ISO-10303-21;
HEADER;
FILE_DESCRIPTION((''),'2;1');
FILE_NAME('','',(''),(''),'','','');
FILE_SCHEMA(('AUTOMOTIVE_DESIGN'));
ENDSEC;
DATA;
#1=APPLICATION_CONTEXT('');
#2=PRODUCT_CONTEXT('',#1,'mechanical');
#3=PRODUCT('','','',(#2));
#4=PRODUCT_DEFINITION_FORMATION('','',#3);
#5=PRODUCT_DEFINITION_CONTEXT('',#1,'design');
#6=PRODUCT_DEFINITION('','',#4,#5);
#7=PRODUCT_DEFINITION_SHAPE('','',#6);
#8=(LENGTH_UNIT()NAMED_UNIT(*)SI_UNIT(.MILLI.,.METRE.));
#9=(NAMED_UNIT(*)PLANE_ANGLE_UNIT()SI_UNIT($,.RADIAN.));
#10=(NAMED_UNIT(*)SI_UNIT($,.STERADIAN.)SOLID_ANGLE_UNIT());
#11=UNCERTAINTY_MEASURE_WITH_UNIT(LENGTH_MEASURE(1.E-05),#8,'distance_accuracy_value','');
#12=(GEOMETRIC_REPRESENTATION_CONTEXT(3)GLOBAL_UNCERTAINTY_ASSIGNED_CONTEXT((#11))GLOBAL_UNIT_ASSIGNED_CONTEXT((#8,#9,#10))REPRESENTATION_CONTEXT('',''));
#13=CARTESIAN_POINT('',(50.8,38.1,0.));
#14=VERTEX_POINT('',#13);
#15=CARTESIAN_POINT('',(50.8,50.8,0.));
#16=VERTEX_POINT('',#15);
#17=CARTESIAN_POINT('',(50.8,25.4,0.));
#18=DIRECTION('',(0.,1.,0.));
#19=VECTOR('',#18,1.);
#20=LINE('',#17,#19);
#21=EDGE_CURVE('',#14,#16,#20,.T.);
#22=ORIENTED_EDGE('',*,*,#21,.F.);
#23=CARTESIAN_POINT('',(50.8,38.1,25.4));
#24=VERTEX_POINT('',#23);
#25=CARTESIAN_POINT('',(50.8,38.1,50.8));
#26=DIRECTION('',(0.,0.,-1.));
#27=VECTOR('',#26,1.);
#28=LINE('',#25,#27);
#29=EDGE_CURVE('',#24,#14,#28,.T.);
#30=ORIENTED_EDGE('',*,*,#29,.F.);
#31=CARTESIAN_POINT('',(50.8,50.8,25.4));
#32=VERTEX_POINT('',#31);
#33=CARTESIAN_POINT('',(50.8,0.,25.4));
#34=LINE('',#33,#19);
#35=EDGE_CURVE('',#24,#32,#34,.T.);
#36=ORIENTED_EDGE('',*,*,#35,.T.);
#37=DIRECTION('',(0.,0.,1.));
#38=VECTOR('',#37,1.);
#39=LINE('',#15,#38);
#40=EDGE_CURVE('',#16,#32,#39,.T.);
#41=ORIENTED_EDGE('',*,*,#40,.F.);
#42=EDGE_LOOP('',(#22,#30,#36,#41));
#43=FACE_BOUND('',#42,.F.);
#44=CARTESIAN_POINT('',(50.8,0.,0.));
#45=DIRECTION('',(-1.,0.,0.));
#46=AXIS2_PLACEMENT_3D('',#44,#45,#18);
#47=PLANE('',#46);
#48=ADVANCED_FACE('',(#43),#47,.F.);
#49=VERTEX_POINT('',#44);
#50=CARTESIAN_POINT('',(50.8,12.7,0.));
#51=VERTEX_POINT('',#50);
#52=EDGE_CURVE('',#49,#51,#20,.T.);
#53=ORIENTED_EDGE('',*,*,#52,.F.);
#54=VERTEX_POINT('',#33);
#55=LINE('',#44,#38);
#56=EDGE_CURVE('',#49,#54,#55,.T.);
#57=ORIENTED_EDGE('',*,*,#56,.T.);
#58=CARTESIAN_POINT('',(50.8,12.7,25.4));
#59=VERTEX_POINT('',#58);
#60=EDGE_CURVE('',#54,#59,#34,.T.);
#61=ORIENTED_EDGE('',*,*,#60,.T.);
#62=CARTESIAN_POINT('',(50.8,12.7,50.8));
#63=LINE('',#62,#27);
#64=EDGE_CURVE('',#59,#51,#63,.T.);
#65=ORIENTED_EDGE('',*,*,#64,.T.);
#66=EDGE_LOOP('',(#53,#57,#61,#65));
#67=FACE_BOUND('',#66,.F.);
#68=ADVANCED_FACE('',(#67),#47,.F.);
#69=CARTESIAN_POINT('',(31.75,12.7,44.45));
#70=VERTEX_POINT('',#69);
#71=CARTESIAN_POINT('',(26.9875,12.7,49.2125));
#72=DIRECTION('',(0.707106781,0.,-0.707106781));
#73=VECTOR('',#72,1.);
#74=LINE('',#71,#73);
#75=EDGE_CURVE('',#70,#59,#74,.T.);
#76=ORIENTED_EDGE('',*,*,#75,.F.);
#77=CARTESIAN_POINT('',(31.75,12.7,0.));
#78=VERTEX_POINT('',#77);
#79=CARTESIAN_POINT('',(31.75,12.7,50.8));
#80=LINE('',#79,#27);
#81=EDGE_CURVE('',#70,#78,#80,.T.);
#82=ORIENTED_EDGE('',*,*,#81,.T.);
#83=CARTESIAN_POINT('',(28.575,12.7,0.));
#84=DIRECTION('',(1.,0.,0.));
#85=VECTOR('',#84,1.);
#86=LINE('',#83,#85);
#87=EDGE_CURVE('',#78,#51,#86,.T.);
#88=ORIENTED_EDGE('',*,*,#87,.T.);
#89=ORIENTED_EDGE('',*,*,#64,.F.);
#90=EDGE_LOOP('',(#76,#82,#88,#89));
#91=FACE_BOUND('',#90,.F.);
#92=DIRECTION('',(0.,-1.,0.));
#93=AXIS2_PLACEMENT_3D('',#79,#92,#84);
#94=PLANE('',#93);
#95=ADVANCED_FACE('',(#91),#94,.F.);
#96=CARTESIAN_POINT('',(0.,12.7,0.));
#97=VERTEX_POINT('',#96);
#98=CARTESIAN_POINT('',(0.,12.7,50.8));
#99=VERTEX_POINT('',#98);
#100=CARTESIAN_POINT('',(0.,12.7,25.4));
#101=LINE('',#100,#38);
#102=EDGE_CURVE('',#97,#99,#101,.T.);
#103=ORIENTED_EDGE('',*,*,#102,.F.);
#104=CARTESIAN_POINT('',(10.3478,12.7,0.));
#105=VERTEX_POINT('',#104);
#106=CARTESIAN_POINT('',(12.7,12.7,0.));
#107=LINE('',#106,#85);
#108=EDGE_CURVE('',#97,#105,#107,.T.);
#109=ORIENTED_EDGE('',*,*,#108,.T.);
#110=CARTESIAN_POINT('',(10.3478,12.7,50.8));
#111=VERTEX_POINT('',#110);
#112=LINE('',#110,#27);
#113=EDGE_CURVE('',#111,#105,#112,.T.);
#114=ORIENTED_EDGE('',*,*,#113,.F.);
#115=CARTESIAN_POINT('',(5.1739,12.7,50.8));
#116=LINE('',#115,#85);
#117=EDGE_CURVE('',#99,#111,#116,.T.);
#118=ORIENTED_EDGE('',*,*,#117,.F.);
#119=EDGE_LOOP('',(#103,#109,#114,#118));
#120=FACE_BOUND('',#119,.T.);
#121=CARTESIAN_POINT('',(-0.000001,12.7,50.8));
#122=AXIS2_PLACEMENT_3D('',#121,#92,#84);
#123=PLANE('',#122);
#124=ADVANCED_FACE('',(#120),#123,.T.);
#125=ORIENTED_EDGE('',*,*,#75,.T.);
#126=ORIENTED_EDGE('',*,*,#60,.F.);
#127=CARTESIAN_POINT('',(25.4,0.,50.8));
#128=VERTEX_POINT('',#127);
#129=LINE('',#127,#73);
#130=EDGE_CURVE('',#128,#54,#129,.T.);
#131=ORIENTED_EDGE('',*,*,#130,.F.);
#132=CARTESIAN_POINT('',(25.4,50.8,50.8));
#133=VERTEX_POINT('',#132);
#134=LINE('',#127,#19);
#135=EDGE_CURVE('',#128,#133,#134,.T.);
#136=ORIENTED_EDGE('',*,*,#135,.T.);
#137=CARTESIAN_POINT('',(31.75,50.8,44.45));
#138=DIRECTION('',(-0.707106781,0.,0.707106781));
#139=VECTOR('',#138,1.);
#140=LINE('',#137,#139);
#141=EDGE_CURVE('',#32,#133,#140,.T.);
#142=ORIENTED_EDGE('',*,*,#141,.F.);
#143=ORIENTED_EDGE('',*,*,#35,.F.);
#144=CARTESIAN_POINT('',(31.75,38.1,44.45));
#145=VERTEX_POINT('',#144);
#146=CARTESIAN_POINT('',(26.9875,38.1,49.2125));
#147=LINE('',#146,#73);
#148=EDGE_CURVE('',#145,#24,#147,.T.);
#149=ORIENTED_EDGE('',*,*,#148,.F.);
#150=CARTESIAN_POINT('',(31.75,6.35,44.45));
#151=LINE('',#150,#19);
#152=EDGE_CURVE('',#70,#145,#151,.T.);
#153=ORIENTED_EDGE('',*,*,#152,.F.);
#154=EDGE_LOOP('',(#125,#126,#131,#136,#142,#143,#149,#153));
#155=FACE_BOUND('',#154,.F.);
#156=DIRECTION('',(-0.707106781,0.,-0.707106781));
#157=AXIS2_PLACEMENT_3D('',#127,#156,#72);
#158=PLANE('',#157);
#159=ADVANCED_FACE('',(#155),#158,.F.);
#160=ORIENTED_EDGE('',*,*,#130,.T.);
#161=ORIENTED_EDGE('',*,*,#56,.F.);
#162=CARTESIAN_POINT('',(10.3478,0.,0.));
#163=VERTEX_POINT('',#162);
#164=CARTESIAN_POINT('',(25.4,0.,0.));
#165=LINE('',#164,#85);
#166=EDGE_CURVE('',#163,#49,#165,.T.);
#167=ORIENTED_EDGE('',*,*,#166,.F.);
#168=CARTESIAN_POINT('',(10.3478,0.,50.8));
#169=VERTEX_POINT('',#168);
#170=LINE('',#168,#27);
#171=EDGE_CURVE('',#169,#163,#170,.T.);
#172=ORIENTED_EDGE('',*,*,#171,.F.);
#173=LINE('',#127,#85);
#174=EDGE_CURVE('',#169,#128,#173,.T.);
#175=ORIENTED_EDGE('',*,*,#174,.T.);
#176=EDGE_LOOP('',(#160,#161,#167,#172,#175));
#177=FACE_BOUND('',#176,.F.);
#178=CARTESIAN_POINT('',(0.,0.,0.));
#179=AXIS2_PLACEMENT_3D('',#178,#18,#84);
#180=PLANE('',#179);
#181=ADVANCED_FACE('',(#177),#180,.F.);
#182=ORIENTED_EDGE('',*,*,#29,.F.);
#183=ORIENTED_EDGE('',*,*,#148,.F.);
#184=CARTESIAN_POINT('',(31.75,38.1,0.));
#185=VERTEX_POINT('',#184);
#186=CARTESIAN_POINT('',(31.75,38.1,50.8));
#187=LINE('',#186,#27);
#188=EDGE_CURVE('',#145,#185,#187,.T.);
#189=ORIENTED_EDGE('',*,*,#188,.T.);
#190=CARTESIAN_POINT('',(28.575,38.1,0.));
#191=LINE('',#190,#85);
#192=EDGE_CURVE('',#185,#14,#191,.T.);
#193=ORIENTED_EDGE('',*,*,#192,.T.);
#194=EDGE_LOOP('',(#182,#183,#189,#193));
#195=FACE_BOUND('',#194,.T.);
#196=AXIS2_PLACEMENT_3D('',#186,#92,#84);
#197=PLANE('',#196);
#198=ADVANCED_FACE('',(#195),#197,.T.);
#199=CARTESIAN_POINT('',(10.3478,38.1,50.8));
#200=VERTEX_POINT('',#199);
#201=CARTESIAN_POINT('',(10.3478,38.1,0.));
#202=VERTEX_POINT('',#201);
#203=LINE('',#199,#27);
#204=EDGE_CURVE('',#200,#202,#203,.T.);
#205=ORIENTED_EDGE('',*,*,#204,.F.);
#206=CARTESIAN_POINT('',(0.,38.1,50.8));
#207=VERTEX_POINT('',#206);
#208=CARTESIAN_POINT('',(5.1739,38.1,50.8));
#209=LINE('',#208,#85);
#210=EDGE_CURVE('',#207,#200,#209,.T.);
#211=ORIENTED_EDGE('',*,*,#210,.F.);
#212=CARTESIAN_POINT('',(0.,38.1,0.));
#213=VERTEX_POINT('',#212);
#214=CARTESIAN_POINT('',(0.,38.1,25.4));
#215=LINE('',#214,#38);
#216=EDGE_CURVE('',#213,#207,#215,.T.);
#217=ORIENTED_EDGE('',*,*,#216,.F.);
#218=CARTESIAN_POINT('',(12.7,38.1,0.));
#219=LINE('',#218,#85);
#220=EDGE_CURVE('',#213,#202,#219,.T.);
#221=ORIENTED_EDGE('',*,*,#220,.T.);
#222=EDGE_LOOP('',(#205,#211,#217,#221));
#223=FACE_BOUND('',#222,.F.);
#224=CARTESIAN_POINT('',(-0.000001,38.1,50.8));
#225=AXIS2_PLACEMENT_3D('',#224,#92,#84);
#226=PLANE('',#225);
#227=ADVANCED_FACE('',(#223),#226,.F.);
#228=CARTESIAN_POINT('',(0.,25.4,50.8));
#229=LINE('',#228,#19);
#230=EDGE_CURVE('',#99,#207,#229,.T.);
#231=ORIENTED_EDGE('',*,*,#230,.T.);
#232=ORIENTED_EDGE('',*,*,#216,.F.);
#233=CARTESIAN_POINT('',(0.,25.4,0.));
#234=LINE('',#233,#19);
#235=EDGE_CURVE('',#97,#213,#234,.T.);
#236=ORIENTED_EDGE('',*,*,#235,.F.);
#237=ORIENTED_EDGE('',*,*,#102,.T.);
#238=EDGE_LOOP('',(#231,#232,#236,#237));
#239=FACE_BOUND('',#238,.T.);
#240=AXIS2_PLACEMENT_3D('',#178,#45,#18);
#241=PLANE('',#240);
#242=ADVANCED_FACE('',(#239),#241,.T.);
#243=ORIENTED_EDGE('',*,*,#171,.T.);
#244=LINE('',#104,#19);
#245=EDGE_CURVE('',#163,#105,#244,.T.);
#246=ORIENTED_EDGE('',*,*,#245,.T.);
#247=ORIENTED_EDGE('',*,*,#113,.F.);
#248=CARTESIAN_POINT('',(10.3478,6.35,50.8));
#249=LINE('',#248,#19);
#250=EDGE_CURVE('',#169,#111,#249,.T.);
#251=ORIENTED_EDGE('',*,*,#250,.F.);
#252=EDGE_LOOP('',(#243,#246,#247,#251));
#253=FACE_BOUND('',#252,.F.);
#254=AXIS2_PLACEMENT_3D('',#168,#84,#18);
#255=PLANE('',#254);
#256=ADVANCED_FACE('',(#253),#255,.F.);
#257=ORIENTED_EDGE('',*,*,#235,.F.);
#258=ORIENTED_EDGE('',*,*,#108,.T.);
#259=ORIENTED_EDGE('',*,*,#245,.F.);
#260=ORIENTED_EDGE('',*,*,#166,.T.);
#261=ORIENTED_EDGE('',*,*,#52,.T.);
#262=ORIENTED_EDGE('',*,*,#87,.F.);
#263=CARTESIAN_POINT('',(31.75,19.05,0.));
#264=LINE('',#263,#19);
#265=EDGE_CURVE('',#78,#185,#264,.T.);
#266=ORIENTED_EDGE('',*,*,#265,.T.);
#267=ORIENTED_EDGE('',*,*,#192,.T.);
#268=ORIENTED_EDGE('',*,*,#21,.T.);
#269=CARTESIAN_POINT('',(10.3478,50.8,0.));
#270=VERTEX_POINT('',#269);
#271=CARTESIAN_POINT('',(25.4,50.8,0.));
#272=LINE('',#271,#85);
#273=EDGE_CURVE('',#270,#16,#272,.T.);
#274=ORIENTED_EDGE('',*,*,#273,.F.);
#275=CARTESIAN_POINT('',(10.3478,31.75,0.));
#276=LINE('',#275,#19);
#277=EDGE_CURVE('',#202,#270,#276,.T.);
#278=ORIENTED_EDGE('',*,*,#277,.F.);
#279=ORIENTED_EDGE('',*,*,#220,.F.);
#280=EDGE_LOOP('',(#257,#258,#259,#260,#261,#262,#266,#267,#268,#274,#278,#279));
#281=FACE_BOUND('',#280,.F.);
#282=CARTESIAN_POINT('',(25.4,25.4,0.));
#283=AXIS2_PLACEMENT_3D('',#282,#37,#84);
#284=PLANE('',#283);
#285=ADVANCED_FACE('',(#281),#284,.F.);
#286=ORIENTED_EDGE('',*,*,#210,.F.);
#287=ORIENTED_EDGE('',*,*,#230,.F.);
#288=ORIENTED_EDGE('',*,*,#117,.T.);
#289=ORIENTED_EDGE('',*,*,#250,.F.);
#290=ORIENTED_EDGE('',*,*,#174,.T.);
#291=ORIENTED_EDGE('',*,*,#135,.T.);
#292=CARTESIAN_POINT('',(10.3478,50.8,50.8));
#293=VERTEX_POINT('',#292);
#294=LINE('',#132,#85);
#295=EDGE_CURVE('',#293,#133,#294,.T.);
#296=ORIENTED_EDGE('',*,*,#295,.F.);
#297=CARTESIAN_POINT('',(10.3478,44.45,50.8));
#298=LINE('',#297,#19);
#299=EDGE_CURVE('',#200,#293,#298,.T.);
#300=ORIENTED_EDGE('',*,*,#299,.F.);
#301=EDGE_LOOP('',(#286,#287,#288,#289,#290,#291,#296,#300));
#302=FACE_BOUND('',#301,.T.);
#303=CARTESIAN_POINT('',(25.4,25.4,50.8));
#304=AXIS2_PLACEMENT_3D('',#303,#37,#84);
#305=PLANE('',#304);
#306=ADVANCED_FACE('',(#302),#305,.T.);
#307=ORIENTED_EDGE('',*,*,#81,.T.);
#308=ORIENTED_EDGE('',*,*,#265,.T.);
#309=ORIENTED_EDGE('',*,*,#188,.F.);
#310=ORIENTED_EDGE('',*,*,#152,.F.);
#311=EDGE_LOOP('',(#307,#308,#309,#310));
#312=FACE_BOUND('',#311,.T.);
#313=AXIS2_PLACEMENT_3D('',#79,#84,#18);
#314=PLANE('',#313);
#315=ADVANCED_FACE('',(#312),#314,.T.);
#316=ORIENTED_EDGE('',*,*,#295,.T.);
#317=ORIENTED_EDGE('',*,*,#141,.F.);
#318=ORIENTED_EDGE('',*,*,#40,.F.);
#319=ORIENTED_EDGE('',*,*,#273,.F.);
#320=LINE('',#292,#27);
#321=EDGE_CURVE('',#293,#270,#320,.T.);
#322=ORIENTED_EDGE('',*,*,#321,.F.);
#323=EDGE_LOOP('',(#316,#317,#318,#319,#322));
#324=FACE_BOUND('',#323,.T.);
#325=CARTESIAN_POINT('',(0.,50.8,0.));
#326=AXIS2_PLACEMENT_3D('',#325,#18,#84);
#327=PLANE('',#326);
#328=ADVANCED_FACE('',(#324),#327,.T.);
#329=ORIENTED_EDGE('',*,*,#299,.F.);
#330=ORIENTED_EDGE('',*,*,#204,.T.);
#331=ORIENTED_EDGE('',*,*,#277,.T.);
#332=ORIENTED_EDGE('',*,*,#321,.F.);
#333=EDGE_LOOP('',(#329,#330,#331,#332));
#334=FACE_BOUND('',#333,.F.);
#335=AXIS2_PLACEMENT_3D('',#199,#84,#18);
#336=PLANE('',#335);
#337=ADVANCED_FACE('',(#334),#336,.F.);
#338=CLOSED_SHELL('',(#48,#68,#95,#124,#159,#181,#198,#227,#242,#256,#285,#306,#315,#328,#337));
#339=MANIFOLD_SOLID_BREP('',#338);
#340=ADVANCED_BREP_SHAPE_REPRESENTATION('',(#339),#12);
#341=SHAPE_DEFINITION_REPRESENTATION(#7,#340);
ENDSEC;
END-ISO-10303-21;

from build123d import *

# Parameters (mm, degrees)
F0_W     = 50.8
F0_H     = 50.8
F1_DEPTH = 50.8
F2_W     = 19.05
F2_H     = 25.4
F3_DEPTH = 50.801
F5_DEPTH = 50.801
F6_W     = 10.347801
F6_H     = 12.7
F7_DEPTH = 50.801


with BuildPart() as f1:
    # F0 (on Top) → F1 (new body)
    with BuildSketch(Plane.XY):
        with Locations((25.4, 25.4)):
            Rectangle(F0_W, F0_H)
    extrude(amount=F1_DEPTH)

    # F2 (on face) → F3 (cut, through all)
    with BuildSketch(Plane.XY.offset(50.8)):
        with Locations((41.275, 25.4)):
            Rectangle(F2_W, F2_H)
    extrude(amount=-F3_DEPTH, mode=Mode.SUBTRACT)

    # F4 (on face) → F5 (cut, through all)
    with BuildSketch(Plane.XZ):
        Polygon((25.4, 50.8), (50.8, 25.4), (50.8, 50.8), align=None)
    extrude(amount=-F5_DEPTH, mode=Mode.SUBTRACT)

    # F6 (on face) → F7 (cut, through all)
    with BuildSketch(Plane.XY.offset(50.8)):
        with Locations((5.1739, 6.35)):
            Rectangle(F6_W, F6_H)
        with Locations((5.1739, 44.45)):
            Rectangle(F6_W, F6_H)
    extrude(amount=-F7_DEPTH, mode=Mode.SUBTRACT)


solid = f1.part
